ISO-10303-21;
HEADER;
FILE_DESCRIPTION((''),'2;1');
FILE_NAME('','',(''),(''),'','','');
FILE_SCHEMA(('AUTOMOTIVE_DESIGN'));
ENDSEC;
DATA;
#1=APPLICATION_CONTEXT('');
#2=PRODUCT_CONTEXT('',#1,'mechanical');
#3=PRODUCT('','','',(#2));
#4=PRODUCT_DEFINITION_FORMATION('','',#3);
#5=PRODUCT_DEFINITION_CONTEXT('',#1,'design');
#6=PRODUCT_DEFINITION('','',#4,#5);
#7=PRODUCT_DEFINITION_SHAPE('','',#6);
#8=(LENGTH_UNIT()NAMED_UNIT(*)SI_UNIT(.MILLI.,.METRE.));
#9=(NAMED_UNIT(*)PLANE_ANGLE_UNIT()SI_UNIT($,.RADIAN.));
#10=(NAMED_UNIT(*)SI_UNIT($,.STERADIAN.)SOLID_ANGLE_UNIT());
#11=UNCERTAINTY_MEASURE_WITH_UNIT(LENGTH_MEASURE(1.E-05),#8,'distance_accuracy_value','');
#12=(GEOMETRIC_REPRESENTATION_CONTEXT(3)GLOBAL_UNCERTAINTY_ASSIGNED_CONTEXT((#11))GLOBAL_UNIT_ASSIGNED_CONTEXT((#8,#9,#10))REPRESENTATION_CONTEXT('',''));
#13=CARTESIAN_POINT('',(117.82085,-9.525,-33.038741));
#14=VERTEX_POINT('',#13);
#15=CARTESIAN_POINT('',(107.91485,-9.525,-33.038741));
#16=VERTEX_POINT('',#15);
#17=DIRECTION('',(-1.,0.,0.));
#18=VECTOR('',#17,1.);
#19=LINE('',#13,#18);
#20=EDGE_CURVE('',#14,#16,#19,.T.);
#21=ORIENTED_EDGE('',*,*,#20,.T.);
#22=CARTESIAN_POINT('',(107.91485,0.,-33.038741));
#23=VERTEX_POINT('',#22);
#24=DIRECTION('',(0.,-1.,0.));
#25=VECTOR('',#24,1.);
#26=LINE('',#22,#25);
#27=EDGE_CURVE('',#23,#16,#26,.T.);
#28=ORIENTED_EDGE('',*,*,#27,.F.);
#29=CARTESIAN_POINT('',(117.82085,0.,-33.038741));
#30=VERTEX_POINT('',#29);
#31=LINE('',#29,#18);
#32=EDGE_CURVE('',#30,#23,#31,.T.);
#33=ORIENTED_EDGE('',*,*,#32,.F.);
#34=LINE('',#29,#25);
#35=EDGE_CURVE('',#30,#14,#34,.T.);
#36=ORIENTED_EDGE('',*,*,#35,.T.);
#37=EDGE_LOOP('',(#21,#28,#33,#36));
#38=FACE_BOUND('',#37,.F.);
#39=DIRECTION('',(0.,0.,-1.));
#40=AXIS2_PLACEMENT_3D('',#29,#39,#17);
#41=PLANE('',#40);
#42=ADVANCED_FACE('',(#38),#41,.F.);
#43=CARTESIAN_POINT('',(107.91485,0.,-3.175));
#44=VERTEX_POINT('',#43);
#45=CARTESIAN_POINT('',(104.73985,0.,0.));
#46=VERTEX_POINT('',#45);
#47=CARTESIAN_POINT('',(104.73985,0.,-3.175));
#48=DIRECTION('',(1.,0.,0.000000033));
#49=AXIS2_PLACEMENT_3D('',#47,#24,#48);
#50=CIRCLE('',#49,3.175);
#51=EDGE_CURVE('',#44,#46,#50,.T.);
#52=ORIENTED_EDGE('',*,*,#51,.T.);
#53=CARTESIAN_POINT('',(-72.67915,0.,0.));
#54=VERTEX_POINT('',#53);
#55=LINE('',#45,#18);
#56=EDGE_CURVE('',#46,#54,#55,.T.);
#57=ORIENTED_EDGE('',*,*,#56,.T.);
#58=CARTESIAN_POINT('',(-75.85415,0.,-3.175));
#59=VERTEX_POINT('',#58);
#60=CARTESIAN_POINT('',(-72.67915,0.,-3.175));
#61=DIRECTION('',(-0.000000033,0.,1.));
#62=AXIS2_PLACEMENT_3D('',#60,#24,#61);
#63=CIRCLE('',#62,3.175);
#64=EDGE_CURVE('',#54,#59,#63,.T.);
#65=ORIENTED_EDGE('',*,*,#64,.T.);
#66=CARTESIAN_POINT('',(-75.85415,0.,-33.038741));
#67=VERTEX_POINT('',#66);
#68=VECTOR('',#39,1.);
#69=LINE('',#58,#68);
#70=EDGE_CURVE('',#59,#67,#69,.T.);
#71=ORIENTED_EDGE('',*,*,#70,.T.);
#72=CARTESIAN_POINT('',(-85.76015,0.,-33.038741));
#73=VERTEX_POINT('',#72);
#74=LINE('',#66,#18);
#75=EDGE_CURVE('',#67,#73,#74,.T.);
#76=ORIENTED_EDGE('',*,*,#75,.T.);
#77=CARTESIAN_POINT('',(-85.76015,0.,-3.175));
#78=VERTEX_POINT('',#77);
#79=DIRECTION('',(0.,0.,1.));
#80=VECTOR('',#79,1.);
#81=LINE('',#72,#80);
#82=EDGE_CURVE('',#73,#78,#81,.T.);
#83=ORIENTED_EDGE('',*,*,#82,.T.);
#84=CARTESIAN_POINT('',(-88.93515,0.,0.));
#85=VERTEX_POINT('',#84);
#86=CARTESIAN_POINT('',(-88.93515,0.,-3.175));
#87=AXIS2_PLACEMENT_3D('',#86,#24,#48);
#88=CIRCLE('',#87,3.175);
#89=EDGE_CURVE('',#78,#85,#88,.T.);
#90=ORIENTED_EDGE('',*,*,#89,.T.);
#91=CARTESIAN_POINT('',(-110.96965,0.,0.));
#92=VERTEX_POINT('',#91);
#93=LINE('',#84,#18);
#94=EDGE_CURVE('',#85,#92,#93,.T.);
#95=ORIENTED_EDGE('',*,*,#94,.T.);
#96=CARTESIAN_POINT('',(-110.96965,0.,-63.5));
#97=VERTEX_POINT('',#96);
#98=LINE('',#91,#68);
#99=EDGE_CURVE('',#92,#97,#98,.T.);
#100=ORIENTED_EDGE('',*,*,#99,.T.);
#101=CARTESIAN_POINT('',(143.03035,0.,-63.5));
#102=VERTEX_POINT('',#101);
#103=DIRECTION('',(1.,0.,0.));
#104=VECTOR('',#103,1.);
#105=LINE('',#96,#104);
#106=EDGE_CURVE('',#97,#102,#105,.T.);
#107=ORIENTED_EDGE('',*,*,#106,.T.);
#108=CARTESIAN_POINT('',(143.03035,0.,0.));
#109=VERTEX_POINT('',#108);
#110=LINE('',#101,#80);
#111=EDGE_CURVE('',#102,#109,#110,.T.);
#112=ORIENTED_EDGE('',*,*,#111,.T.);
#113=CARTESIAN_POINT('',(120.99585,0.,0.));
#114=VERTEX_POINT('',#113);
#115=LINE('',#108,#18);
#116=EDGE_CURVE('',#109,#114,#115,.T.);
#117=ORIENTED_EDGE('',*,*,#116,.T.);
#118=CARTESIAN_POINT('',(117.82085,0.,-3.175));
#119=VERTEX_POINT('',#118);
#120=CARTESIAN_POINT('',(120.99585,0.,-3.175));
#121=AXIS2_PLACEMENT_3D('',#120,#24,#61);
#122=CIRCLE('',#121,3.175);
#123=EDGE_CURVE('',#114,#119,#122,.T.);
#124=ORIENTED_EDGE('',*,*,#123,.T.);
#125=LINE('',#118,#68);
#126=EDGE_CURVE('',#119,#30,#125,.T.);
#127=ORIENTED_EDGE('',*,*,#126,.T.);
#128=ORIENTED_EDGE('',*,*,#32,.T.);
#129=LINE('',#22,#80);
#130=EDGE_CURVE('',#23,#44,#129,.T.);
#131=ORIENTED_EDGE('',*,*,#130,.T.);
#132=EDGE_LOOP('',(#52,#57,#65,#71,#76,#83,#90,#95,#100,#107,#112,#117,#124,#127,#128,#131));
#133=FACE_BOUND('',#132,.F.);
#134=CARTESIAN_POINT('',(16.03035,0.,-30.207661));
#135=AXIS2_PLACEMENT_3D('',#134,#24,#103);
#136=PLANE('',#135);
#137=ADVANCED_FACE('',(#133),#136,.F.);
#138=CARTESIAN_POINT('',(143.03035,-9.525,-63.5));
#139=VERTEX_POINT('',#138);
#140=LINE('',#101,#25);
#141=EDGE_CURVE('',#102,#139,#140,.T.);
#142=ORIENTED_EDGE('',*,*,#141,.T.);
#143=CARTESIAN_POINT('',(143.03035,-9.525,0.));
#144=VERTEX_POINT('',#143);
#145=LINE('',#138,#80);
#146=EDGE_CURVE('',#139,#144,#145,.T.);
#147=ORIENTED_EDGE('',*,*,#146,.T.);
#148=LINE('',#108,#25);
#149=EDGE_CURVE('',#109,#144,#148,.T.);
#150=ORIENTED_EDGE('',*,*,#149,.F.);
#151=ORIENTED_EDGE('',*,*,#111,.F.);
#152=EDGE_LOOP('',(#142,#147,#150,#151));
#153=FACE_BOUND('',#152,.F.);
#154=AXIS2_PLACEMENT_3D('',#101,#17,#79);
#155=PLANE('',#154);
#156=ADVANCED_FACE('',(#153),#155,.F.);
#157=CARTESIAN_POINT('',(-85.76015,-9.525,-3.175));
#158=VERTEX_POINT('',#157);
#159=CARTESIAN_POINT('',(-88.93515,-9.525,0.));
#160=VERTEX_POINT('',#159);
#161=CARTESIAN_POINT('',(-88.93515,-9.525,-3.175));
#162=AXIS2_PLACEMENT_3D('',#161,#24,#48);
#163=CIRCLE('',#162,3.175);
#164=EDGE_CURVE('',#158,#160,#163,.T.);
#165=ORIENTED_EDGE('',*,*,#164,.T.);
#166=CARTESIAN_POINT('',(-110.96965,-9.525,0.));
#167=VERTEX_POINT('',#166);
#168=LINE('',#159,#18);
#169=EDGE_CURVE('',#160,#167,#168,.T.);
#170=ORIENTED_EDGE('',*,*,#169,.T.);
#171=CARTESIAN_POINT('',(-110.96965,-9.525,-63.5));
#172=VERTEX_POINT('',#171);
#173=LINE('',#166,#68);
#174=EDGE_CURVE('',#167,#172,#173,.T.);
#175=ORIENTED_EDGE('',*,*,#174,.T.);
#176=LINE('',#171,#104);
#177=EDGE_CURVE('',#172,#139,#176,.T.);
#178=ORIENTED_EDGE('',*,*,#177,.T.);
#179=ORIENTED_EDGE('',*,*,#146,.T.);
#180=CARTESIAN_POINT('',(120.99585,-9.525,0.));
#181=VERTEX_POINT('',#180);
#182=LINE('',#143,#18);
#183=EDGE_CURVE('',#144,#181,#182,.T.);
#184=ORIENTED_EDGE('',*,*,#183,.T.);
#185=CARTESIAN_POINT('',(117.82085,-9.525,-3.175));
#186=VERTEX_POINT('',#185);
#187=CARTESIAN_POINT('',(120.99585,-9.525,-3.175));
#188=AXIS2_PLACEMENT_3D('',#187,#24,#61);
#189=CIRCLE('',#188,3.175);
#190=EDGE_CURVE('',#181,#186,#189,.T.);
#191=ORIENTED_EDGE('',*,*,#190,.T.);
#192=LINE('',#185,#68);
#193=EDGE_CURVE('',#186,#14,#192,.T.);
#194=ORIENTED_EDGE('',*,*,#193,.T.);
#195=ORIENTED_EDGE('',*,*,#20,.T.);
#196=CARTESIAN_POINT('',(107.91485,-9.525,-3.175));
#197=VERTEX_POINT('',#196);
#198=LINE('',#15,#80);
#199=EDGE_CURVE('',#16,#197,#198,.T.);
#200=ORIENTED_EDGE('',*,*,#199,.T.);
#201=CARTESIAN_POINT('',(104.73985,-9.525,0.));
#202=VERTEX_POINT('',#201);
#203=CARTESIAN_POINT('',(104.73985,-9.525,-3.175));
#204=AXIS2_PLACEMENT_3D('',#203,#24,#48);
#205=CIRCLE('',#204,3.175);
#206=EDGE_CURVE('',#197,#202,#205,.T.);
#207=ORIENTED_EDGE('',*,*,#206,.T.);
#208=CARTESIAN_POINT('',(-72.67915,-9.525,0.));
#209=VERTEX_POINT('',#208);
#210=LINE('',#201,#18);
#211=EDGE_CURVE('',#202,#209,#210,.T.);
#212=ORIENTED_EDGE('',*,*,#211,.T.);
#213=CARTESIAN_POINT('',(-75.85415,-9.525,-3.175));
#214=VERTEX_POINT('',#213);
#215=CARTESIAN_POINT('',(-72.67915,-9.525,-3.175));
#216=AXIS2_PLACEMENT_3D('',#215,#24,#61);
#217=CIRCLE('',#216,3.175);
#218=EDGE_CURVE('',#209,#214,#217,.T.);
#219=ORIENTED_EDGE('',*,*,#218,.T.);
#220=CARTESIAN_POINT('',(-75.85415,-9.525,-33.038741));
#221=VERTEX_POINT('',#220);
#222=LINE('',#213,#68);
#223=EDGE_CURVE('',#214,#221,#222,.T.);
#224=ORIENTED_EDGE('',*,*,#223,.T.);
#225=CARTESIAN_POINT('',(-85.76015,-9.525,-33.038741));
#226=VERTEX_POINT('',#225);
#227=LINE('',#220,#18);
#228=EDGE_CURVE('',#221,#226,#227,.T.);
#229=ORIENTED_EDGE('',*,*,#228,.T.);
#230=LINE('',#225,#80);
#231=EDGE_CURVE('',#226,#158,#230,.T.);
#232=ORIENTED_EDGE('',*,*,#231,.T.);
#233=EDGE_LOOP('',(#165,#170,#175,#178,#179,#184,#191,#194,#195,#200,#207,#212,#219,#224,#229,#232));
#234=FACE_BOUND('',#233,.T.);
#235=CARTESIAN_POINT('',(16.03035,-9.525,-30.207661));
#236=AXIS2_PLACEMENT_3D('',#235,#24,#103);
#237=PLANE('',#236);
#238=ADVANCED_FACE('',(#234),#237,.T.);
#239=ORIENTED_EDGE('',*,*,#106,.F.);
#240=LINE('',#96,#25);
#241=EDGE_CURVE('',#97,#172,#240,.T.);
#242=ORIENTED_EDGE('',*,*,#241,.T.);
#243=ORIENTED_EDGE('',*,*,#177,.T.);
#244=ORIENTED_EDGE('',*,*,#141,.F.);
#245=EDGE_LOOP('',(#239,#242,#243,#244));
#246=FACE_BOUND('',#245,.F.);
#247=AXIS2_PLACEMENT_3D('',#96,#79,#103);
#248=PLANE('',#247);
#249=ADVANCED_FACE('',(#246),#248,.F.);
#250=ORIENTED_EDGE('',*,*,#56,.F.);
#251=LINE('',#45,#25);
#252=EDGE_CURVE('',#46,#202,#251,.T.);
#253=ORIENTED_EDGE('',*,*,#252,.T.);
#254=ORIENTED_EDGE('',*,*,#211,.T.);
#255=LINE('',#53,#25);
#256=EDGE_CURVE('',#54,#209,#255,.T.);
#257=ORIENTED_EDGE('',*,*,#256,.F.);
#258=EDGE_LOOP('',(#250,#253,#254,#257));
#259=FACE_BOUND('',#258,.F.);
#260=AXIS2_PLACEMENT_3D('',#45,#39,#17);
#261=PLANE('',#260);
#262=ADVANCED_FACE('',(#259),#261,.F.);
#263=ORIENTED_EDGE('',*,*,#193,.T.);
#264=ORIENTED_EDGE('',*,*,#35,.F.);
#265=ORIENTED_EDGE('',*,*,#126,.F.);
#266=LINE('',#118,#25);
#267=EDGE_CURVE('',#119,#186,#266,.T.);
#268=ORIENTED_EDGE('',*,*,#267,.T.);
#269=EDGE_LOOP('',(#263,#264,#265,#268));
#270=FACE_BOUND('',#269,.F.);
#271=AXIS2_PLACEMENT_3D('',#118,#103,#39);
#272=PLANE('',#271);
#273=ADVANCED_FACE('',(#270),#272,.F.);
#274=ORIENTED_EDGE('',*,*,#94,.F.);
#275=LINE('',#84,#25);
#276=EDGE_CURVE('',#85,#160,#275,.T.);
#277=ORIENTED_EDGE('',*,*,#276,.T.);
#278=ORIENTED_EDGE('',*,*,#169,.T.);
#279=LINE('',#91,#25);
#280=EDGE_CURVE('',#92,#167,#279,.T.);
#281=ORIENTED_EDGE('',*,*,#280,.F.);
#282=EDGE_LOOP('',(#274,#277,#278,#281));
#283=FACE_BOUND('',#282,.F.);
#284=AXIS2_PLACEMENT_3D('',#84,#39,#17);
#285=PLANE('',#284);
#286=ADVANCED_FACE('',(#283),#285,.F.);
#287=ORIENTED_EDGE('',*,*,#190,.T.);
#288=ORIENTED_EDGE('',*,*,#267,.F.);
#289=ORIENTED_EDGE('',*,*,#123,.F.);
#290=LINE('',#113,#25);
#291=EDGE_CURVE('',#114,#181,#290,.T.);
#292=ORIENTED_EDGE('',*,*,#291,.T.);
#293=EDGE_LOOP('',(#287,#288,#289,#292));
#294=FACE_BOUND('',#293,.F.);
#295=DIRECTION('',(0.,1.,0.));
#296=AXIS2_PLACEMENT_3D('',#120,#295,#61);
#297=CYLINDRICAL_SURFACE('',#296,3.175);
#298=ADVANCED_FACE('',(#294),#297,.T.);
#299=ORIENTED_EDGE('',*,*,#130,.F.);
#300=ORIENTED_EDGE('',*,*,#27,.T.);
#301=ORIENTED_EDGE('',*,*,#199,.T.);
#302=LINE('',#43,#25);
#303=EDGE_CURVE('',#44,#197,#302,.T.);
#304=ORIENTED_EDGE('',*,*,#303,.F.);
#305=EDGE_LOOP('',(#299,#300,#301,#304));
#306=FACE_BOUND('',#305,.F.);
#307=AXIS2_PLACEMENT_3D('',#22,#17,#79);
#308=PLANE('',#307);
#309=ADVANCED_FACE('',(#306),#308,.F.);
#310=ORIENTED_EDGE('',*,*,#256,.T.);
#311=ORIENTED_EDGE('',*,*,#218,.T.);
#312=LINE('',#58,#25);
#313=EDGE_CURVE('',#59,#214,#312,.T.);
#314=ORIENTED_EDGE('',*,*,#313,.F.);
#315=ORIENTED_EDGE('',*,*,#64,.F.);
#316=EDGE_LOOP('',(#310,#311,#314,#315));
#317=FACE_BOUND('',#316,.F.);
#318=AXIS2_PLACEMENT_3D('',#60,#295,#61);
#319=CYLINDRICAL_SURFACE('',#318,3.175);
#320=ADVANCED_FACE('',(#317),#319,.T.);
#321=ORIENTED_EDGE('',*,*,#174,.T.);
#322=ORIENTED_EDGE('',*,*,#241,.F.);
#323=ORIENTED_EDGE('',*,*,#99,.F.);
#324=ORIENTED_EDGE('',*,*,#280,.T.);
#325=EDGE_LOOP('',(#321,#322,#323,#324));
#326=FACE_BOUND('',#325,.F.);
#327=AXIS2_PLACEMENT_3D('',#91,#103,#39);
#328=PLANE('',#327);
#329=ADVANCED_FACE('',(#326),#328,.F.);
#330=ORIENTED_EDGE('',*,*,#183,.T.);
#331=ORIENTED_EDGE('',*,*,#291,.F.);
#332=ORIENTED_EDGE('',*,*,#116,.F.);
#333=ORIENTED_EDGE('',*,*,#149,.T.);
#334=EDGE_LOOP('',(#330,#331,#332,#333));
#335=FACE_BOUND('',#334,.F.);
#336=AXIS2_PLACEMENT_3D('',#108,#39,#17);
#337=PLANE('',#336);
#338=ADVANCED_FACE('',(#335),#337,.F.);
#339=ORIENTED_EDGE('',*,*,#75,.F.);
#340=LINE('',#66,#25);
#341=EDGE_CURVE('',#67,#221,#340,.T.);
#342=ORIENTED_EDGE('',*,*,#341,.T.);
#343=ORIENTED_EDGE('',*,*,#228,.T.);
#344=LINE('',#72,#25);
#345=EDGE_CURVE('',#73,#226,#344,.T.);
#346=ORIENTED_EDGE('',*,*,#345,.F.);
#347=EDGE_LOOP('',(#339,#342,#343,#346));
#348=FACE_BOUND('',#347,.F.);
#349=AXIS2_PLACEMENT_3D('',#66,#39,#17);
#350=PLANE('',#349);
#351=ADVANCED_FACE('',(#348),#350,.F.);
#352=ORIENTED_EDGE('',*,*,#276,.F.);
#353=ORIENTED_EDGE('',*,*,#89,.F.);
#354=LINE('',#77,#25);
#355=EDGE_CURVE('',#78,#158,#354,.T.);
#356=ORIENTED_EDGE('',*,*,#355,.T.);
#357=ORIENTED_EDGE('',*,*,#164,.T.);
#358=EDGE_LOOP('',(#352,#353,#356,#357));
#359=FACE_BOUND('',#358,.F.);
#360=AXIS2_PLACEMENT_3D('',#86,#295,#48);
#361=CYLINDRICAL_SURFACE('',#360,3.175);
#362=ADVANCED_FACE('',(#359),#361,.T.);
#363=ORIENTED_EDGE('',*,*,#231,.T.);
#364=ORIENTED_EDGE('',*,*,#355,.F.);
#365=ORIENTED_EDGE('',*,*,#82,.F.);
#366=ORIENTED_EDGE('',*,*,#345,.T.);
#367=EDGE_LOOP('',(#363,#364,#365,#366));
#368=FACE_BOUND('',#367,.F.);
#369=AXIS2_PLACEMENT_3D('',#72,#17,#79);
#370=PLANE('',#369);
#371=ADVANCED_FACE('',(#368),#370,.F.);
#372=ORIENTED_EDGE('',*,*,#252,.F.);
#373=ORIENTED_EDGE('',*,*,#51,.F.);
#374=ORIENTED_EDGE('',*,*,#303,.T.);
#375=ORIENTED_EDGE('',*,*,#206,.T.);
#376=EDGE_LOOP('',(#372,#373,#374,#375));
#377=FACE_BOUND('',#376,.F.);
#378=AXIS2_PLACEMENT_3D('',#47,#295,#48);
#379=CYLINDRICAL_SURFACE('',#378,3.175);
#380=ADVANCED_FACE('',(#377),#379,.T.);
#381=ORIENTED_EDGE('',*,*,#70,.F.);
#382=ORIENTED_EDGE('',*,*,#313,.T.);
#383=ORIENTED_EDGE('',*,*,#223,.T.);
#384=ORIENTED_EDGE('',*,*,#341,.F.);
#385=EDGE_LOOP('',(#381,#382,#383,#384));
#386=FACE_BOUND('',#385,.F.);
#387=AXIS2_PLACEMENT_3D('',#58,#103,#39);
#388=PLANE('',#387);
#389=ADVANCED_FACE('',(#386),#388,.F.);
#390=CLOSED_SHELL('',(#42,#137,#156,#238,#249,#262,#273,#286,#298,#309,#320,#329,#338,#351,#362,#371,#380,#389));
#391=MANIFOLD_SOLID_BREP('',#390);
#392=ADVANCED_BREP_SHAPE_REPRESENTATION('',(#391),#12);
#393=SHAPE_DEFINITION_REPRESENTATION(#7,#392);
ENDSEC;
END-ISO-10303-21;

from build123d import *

# Parameters (mm, degrees)
F1_DEPTH = 9.525


with BuildPart() as f1:
    # F0 (on Front) → F1 (new body)
    with BuildSketch(Plane.XZ):
        with BuildLine():
            Line((-88.93515, 0), (-110.96965, 0))
            Line((-110.96965, 0), (-110.96965, -63.5))
            Line((-110.96965, -63.5), (143.03035, -63.5))
            Line((143.03035, -63.5), (143.03035, 0))
            Line((143.03035, 0), (120.99585, 0))
            ThreePointArc((120.99585, 0), (118.750786, -0.929936), (117.82085, -3.175))
            Line((117.82085, -3.175), (117.82085, -33.038741))
            Line((117.82085, -33.038741), (107.91485, -33.038741))
            Line((107.91485, -33.038741), (107.91485, -3.175))
            ThreePointArc((107.91485, -3.175), (106.984914, -0.929936), (104.73985, 0))
            Line((104.73985, 0), (-72.67915, 0))
            ThreePointArc((-72.67915, 0), (-74.924214, -0.929936), (-75.85415, -3.175))
            Line((-75.85415, -3.175), (-75.85415, -33.038741))
            Line((-75.85415, -33.038741), (-85.76015, -33.038741))
            Line((-85.76015, -33.038741), (-85.76015, -3.175))
            ThreePointArc((-85.76015, -3.175), (-86.690086, -0.929936), (-88.93515, 0))
        make_face()
    extrude(amount=F1_DEPTH)


solid = f1.part
